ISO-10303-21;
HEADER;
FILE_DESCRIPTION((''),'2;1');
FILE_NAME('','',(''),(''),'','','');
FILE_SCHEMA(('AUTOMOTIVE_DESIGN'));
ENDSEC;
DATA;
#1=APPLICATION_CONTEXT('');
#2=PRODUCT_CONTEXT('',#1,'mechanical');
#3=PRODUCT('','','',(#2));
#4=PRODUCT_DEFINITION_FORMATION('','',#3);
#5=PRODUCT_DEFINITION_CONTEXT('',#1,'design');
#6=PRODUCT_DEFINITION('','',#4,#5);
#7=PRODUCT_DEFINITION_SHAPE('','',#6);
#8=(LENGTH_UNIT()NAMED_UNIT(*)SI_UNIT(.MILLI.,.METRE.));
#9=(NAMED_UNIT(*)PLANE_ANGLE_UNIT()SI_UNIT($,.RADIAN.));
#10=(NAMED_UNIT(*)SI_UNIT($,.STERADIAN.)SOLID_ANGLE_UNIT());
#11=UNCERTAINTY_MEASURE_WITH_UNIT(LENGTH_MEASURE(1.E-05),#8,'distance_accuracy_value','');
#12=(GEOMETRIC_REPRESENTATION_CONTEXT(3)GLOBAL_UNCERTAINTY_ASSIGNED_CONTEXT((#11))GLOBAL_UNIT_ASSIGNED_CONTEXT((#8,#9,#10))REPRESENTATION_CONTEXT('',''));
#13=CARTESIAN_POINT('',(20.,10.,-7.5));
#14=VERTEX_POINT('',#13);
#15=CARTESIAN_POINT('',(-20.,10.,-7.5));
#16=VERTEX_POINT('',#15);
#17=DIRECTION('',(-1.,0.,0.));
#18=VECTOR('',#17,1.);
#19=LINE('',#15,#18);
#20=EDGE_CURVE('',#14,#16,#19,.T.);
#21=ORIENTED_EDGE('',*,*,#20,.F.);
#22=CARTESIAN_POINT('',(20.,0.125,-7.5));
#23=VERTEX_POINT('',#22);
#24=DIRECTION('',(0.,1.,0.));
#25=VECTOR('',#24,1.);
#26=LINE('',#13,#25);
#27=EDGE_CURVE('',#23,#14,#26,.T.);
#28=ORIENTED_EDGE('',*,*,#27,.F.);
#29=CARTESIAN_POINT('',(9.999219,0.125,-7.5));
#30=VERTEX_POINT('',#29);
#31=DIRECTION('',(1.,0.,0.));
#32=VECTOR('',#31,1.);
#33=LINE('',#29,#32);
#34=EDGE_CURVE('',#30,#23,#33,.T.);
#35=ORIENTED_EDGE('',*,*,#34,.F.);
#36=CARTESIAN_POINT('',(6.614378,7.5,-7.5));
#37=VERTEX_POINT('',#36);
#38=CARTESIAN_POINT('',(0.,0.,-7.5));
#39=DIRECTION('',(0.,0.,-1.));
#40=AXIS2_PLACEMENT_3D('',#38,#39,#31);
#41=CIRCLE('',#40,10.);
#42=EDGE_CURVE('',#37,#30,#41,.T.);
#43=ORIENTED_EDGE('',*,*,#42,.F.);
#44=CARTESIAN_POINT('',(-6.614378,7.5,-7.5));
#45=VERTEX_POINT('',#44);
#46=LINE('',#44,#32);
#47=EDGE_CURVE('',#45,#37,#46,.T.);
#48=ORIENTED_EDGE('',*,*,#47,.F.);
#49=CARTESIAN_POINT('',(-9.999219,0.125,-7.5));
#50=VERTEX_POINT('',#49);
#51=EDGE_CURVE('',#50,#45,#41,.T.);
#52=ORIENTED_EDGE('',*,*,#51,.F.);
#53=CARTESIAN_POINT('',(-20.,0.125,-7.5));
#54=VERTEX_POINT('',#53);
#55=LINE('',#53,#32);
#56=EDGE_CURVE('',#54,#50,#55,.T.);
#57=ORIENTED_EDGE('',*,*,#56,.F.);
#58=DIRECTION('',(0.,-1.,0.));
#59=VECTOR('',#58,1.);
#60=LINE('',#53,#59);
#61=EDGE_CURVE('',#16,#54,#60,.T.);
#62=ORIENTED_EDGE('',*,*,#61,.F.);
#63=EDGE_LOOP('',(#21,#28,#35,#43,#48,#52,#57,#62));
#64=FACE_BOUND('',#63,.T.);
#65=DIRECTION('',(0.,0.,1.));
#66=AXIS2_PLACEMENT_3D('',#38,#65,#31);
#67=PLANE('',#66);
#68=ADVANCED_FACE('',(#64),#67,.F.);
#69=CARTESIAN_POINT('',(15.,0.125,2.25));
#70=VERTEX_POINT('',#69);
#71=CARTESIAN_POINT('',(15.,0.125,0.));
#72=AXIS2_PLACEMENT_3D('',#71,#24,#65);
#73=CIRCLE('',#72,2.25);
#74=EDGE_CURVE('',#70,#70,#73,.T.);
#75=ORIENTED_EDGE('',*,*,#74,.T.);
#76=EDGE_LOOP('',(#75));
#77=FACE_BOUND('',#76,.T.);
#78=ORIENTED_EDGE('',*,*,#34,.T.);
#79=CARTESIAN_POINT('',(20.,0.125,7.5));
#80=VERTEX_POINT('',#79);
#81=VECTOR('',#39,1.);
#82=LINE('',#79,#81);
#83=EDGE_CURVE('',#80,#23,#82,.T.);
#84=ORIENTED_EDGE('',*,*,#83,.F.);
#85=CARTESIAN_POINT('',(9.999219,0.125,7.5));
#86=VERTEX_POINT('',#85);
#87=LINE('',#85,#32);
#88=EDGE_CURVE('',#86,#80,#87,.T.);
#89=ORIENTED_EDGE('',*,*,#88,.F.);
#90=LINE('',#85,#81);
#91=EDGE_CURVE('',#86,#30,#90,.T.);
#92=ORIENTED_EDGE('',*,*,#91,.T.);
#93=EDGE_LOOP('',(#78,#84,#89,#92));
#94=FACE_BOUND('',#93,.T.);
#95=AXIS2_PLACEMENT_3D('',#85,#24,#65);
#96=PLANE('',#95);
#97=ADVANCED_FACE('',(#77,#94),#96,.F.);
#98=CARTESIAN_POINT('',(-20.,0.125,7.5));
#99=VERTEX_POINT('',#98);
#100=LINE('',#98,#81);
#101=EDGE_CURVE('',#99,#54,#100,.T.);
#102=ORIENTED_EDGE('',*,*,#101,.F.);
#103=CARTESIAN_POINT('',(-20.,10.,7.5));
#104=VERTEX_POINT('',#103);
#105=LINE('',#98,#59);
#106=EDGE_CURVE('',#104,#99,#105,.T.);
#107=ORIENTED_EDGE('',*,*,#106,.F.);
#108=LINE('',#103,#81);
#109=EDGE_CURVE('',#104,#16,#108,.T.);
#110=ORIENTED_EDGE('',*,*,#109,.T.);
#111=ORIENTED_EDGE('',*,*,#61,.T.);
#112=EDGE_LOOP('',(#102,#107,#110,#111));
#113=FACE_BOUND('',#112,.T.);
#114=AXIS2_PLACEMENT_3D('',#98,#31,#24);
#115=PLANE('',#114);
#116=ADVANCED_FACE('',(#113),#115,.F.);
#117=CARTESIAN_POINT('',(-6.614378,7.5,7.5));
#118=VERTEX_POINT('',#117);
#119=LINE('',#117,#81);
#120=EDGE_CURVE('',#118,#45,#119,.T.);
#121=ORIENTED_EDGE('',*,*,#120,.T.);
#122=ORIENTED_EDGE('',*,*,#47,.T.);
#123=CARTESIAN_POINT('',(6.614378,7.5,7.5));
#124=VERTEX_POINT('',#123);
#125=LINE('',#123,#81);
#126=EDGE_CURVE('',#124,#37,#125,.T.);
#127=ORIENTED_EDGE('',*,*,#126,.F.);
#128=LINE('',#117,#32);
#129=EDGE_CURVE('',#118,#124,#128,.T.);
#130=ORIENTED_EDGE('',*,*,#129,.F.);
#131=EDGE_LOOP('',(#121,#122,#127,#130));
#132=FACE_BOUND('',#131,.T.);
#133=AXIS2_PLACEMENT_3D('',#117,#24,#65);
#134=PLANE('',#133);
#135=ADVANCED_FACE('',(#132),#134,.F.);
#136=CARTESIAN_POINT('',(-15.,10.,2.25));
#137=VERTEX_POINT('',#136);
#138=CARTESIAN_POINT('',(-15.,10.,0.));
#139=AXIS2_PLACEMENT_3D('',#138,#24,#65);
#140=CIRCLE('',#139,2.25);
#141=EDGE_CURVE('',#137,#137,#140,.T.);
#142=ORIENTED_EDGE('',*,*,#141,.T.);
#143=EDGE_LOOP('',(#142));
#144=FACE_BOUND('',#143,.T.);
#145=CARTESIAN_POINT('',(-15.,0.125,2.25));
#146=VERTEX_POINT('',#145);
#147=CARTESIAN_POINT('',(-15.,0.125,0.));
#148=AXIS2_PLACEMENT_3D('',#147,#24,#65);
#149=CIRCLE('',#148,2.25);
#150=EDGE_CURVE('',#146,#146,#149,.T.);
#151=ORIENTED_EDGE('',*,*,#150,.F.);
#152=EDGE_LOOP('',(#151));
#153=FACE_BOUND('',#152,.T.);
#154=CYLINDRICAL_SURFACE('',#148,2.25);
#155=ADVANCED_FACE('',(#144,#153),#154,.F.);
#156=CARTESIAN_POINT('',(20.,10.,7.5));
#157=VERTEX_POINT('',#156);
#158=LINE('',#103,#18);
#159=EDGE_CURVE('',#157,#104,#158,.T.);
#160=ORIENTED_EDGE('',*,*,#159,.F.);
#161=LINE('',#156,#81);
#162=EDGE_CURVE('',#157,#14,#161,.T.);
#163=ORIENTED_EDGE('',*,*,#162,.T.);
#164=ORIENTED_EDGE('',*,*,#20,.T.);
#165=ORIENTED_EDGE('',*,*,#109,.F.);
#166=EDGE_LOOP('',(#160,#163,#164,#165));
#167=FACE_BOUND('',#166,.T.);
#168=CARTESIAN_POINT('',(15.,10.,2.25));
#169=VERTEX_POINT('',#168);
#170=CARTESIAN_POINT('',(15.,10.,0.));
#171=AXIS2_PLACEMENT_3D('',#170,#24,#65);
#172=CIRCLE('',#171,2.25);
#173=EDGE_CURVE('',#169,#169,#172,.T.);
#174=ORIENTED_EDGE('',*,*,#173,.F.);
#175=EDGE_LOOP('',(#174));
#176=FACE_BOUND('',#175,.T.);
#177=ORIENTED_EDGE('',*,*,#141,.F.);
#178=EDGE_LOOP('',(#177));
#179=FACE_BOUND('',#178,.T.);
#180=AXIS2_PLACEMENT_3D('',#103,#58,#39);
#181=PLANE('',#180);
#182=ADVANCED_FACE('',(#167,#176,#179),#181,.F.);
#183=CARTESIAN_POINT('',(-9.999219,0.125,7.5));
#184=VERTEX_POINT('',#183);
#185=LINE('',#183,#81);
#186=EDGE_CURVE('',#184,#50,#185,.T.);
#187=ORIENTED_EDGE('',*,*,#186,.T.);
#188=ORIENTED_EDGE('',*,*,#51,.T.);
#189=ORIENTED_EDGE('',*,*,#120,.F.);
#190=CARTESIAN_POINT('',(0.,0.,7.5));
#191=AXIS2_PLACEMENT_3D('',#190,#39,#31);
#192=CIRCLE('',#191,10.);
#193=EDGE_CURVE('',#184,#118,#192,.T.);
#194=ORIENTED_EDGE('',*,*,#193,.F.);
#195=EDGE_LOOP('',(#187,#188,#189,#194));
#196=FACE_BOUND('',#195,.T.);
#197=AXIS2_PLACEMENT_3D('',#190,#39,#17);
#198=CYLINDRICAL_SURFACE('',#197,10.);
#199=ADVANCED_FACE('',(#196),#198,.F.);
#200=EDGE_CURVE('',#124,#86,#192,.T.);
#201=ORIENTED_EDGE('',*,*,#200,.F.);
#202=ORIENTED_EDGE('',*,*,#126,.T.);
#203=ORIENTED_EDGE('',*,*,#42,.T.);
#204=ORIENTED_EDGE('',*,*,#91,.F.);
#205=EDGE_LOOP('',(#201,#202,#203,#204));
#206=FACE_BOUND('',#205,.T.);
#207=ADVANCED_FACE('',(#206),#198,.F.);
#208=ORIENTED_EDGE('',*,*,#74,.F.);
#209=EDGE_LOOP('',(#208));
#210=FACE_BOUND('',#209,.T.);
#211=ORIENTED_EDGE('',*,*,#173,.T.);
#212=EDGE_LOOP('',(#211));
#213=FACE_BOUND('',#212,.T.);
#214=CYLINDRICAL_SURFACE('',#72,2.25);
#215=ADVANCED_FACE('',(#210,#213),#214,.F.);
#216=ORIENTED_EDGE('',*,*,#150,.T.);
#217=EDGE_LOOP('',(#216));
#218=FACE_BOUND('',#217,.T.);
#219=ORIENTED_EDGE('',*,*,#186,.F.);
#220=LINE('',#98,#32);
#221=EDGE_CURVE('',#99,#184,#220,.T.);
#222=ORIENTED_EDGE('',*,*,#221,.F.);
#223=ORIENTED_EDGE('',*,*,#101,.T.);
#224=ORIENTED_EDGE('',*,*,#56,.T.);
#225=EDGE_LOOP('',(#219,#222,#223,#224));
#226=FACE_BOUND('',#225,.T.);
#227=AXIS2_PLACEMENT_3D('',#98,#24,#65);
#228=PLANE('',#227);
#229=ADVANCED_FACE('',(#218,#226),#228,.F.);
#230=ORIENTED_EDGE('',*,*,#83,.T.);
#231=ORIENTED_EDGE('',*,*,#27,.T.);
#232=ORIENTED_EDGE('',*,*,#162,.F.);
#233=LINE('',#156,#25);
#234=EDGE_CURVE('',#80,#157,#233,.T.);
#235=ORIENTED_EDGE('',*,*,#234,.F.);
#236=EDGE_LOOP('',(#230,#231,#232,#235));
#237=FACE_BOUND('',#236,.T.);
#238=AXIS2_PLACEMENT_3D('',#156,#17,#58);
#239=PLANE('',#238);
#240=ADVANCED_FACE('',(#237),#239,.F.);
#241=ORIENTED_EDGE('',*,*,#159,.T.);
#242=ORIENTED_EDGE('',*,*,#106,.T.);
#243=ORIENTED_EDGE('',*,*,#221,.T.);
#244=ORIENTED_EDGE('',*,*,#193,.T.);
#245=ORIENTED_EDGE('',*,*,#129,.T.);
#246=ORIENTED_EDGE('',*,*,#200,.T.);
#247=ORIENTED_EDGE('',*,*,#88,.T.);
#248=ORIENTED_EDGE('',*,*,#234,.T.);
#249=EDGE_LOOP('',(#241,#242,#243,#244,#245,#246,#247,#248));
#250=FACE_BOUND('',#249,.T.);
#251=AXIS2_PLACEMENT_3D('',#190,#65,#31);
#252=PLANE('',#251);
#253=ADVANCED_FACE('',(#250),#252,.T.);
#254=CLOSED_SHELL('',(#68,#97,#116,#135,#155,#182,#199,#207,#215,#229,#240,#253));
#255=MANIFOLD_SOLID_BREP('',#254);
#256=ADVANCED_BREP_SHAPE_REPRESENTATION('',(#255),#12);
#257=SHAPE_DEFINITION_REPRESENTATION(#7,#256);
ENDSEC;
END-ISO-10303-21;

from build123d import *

# Parameters (mm, degrees)
MOTOR_CLAMP_OUTLINE_SOLID_DEPTH     = 7.5
MOTOR_CLAMP_MOUNTING_HOLES_SKETCH_R = 2.25
MOTOR_CLAMP_MOUNTING_HOLE_CUT_DEPTH = 24.532225245


with BuildPart() as part:
    # Motor Clamp Outline Sketch → Motor Clamp Outline Solid (new, symmetric)
    with BuildSketch(Plane.XY):
        with BuildLine():
            Line((-20, 0.125), (-9.999218719, 0.125))
            ThreePointArc((-9.999218719, 0.125), (-9.088484887, 4.171263892), (-6.614378278, 7.5))
            Line((-6.614378278, 7.5), (6.614378278, 7.5))
            ThreePointArc((6.614378278, 7.5), (9.088484887, 4.171263892), (9.999218719, 0.125))
            Line((9.999218719, 0.125), (20, 0.125))
            Line((20, 0.125), (20, 10))
            Line((20, 10), (-20, 10))
            Line((-20, 10), (-20, 0.125))
        make_face()
    extrude(amount=MOTOR_CLAMP_OUTLINE_SOLID_DEPTH, both=True)

    # Motor Clamp Mounting Holes Sketch → Motor Clamp Mounting Hole Cut (cut, through all)
    with BuildSketch(Plane(origin=(0, 10, 0), x_dir=(1, 0, 0), z_dir=(0, 1, 0))):
        with Locations(Location((-15, 0, 0), (0, 0, 270))):
            Circle(MOTOR_CLAMP_MOUNTING_HOLES_SKETCH_R)
        with Locations(Location((15, 0, 0), (0, 0, 270))):
            Circle(MOTOR_CLAMP_MOUNTING_HOLES_SKETCH_R)
    extrude(amount=-MOTOR_CLAMP_MOUNTING_HOLE_CUT_DEPTH, mode=Mode.SUBTRACT)


solid = part.part
